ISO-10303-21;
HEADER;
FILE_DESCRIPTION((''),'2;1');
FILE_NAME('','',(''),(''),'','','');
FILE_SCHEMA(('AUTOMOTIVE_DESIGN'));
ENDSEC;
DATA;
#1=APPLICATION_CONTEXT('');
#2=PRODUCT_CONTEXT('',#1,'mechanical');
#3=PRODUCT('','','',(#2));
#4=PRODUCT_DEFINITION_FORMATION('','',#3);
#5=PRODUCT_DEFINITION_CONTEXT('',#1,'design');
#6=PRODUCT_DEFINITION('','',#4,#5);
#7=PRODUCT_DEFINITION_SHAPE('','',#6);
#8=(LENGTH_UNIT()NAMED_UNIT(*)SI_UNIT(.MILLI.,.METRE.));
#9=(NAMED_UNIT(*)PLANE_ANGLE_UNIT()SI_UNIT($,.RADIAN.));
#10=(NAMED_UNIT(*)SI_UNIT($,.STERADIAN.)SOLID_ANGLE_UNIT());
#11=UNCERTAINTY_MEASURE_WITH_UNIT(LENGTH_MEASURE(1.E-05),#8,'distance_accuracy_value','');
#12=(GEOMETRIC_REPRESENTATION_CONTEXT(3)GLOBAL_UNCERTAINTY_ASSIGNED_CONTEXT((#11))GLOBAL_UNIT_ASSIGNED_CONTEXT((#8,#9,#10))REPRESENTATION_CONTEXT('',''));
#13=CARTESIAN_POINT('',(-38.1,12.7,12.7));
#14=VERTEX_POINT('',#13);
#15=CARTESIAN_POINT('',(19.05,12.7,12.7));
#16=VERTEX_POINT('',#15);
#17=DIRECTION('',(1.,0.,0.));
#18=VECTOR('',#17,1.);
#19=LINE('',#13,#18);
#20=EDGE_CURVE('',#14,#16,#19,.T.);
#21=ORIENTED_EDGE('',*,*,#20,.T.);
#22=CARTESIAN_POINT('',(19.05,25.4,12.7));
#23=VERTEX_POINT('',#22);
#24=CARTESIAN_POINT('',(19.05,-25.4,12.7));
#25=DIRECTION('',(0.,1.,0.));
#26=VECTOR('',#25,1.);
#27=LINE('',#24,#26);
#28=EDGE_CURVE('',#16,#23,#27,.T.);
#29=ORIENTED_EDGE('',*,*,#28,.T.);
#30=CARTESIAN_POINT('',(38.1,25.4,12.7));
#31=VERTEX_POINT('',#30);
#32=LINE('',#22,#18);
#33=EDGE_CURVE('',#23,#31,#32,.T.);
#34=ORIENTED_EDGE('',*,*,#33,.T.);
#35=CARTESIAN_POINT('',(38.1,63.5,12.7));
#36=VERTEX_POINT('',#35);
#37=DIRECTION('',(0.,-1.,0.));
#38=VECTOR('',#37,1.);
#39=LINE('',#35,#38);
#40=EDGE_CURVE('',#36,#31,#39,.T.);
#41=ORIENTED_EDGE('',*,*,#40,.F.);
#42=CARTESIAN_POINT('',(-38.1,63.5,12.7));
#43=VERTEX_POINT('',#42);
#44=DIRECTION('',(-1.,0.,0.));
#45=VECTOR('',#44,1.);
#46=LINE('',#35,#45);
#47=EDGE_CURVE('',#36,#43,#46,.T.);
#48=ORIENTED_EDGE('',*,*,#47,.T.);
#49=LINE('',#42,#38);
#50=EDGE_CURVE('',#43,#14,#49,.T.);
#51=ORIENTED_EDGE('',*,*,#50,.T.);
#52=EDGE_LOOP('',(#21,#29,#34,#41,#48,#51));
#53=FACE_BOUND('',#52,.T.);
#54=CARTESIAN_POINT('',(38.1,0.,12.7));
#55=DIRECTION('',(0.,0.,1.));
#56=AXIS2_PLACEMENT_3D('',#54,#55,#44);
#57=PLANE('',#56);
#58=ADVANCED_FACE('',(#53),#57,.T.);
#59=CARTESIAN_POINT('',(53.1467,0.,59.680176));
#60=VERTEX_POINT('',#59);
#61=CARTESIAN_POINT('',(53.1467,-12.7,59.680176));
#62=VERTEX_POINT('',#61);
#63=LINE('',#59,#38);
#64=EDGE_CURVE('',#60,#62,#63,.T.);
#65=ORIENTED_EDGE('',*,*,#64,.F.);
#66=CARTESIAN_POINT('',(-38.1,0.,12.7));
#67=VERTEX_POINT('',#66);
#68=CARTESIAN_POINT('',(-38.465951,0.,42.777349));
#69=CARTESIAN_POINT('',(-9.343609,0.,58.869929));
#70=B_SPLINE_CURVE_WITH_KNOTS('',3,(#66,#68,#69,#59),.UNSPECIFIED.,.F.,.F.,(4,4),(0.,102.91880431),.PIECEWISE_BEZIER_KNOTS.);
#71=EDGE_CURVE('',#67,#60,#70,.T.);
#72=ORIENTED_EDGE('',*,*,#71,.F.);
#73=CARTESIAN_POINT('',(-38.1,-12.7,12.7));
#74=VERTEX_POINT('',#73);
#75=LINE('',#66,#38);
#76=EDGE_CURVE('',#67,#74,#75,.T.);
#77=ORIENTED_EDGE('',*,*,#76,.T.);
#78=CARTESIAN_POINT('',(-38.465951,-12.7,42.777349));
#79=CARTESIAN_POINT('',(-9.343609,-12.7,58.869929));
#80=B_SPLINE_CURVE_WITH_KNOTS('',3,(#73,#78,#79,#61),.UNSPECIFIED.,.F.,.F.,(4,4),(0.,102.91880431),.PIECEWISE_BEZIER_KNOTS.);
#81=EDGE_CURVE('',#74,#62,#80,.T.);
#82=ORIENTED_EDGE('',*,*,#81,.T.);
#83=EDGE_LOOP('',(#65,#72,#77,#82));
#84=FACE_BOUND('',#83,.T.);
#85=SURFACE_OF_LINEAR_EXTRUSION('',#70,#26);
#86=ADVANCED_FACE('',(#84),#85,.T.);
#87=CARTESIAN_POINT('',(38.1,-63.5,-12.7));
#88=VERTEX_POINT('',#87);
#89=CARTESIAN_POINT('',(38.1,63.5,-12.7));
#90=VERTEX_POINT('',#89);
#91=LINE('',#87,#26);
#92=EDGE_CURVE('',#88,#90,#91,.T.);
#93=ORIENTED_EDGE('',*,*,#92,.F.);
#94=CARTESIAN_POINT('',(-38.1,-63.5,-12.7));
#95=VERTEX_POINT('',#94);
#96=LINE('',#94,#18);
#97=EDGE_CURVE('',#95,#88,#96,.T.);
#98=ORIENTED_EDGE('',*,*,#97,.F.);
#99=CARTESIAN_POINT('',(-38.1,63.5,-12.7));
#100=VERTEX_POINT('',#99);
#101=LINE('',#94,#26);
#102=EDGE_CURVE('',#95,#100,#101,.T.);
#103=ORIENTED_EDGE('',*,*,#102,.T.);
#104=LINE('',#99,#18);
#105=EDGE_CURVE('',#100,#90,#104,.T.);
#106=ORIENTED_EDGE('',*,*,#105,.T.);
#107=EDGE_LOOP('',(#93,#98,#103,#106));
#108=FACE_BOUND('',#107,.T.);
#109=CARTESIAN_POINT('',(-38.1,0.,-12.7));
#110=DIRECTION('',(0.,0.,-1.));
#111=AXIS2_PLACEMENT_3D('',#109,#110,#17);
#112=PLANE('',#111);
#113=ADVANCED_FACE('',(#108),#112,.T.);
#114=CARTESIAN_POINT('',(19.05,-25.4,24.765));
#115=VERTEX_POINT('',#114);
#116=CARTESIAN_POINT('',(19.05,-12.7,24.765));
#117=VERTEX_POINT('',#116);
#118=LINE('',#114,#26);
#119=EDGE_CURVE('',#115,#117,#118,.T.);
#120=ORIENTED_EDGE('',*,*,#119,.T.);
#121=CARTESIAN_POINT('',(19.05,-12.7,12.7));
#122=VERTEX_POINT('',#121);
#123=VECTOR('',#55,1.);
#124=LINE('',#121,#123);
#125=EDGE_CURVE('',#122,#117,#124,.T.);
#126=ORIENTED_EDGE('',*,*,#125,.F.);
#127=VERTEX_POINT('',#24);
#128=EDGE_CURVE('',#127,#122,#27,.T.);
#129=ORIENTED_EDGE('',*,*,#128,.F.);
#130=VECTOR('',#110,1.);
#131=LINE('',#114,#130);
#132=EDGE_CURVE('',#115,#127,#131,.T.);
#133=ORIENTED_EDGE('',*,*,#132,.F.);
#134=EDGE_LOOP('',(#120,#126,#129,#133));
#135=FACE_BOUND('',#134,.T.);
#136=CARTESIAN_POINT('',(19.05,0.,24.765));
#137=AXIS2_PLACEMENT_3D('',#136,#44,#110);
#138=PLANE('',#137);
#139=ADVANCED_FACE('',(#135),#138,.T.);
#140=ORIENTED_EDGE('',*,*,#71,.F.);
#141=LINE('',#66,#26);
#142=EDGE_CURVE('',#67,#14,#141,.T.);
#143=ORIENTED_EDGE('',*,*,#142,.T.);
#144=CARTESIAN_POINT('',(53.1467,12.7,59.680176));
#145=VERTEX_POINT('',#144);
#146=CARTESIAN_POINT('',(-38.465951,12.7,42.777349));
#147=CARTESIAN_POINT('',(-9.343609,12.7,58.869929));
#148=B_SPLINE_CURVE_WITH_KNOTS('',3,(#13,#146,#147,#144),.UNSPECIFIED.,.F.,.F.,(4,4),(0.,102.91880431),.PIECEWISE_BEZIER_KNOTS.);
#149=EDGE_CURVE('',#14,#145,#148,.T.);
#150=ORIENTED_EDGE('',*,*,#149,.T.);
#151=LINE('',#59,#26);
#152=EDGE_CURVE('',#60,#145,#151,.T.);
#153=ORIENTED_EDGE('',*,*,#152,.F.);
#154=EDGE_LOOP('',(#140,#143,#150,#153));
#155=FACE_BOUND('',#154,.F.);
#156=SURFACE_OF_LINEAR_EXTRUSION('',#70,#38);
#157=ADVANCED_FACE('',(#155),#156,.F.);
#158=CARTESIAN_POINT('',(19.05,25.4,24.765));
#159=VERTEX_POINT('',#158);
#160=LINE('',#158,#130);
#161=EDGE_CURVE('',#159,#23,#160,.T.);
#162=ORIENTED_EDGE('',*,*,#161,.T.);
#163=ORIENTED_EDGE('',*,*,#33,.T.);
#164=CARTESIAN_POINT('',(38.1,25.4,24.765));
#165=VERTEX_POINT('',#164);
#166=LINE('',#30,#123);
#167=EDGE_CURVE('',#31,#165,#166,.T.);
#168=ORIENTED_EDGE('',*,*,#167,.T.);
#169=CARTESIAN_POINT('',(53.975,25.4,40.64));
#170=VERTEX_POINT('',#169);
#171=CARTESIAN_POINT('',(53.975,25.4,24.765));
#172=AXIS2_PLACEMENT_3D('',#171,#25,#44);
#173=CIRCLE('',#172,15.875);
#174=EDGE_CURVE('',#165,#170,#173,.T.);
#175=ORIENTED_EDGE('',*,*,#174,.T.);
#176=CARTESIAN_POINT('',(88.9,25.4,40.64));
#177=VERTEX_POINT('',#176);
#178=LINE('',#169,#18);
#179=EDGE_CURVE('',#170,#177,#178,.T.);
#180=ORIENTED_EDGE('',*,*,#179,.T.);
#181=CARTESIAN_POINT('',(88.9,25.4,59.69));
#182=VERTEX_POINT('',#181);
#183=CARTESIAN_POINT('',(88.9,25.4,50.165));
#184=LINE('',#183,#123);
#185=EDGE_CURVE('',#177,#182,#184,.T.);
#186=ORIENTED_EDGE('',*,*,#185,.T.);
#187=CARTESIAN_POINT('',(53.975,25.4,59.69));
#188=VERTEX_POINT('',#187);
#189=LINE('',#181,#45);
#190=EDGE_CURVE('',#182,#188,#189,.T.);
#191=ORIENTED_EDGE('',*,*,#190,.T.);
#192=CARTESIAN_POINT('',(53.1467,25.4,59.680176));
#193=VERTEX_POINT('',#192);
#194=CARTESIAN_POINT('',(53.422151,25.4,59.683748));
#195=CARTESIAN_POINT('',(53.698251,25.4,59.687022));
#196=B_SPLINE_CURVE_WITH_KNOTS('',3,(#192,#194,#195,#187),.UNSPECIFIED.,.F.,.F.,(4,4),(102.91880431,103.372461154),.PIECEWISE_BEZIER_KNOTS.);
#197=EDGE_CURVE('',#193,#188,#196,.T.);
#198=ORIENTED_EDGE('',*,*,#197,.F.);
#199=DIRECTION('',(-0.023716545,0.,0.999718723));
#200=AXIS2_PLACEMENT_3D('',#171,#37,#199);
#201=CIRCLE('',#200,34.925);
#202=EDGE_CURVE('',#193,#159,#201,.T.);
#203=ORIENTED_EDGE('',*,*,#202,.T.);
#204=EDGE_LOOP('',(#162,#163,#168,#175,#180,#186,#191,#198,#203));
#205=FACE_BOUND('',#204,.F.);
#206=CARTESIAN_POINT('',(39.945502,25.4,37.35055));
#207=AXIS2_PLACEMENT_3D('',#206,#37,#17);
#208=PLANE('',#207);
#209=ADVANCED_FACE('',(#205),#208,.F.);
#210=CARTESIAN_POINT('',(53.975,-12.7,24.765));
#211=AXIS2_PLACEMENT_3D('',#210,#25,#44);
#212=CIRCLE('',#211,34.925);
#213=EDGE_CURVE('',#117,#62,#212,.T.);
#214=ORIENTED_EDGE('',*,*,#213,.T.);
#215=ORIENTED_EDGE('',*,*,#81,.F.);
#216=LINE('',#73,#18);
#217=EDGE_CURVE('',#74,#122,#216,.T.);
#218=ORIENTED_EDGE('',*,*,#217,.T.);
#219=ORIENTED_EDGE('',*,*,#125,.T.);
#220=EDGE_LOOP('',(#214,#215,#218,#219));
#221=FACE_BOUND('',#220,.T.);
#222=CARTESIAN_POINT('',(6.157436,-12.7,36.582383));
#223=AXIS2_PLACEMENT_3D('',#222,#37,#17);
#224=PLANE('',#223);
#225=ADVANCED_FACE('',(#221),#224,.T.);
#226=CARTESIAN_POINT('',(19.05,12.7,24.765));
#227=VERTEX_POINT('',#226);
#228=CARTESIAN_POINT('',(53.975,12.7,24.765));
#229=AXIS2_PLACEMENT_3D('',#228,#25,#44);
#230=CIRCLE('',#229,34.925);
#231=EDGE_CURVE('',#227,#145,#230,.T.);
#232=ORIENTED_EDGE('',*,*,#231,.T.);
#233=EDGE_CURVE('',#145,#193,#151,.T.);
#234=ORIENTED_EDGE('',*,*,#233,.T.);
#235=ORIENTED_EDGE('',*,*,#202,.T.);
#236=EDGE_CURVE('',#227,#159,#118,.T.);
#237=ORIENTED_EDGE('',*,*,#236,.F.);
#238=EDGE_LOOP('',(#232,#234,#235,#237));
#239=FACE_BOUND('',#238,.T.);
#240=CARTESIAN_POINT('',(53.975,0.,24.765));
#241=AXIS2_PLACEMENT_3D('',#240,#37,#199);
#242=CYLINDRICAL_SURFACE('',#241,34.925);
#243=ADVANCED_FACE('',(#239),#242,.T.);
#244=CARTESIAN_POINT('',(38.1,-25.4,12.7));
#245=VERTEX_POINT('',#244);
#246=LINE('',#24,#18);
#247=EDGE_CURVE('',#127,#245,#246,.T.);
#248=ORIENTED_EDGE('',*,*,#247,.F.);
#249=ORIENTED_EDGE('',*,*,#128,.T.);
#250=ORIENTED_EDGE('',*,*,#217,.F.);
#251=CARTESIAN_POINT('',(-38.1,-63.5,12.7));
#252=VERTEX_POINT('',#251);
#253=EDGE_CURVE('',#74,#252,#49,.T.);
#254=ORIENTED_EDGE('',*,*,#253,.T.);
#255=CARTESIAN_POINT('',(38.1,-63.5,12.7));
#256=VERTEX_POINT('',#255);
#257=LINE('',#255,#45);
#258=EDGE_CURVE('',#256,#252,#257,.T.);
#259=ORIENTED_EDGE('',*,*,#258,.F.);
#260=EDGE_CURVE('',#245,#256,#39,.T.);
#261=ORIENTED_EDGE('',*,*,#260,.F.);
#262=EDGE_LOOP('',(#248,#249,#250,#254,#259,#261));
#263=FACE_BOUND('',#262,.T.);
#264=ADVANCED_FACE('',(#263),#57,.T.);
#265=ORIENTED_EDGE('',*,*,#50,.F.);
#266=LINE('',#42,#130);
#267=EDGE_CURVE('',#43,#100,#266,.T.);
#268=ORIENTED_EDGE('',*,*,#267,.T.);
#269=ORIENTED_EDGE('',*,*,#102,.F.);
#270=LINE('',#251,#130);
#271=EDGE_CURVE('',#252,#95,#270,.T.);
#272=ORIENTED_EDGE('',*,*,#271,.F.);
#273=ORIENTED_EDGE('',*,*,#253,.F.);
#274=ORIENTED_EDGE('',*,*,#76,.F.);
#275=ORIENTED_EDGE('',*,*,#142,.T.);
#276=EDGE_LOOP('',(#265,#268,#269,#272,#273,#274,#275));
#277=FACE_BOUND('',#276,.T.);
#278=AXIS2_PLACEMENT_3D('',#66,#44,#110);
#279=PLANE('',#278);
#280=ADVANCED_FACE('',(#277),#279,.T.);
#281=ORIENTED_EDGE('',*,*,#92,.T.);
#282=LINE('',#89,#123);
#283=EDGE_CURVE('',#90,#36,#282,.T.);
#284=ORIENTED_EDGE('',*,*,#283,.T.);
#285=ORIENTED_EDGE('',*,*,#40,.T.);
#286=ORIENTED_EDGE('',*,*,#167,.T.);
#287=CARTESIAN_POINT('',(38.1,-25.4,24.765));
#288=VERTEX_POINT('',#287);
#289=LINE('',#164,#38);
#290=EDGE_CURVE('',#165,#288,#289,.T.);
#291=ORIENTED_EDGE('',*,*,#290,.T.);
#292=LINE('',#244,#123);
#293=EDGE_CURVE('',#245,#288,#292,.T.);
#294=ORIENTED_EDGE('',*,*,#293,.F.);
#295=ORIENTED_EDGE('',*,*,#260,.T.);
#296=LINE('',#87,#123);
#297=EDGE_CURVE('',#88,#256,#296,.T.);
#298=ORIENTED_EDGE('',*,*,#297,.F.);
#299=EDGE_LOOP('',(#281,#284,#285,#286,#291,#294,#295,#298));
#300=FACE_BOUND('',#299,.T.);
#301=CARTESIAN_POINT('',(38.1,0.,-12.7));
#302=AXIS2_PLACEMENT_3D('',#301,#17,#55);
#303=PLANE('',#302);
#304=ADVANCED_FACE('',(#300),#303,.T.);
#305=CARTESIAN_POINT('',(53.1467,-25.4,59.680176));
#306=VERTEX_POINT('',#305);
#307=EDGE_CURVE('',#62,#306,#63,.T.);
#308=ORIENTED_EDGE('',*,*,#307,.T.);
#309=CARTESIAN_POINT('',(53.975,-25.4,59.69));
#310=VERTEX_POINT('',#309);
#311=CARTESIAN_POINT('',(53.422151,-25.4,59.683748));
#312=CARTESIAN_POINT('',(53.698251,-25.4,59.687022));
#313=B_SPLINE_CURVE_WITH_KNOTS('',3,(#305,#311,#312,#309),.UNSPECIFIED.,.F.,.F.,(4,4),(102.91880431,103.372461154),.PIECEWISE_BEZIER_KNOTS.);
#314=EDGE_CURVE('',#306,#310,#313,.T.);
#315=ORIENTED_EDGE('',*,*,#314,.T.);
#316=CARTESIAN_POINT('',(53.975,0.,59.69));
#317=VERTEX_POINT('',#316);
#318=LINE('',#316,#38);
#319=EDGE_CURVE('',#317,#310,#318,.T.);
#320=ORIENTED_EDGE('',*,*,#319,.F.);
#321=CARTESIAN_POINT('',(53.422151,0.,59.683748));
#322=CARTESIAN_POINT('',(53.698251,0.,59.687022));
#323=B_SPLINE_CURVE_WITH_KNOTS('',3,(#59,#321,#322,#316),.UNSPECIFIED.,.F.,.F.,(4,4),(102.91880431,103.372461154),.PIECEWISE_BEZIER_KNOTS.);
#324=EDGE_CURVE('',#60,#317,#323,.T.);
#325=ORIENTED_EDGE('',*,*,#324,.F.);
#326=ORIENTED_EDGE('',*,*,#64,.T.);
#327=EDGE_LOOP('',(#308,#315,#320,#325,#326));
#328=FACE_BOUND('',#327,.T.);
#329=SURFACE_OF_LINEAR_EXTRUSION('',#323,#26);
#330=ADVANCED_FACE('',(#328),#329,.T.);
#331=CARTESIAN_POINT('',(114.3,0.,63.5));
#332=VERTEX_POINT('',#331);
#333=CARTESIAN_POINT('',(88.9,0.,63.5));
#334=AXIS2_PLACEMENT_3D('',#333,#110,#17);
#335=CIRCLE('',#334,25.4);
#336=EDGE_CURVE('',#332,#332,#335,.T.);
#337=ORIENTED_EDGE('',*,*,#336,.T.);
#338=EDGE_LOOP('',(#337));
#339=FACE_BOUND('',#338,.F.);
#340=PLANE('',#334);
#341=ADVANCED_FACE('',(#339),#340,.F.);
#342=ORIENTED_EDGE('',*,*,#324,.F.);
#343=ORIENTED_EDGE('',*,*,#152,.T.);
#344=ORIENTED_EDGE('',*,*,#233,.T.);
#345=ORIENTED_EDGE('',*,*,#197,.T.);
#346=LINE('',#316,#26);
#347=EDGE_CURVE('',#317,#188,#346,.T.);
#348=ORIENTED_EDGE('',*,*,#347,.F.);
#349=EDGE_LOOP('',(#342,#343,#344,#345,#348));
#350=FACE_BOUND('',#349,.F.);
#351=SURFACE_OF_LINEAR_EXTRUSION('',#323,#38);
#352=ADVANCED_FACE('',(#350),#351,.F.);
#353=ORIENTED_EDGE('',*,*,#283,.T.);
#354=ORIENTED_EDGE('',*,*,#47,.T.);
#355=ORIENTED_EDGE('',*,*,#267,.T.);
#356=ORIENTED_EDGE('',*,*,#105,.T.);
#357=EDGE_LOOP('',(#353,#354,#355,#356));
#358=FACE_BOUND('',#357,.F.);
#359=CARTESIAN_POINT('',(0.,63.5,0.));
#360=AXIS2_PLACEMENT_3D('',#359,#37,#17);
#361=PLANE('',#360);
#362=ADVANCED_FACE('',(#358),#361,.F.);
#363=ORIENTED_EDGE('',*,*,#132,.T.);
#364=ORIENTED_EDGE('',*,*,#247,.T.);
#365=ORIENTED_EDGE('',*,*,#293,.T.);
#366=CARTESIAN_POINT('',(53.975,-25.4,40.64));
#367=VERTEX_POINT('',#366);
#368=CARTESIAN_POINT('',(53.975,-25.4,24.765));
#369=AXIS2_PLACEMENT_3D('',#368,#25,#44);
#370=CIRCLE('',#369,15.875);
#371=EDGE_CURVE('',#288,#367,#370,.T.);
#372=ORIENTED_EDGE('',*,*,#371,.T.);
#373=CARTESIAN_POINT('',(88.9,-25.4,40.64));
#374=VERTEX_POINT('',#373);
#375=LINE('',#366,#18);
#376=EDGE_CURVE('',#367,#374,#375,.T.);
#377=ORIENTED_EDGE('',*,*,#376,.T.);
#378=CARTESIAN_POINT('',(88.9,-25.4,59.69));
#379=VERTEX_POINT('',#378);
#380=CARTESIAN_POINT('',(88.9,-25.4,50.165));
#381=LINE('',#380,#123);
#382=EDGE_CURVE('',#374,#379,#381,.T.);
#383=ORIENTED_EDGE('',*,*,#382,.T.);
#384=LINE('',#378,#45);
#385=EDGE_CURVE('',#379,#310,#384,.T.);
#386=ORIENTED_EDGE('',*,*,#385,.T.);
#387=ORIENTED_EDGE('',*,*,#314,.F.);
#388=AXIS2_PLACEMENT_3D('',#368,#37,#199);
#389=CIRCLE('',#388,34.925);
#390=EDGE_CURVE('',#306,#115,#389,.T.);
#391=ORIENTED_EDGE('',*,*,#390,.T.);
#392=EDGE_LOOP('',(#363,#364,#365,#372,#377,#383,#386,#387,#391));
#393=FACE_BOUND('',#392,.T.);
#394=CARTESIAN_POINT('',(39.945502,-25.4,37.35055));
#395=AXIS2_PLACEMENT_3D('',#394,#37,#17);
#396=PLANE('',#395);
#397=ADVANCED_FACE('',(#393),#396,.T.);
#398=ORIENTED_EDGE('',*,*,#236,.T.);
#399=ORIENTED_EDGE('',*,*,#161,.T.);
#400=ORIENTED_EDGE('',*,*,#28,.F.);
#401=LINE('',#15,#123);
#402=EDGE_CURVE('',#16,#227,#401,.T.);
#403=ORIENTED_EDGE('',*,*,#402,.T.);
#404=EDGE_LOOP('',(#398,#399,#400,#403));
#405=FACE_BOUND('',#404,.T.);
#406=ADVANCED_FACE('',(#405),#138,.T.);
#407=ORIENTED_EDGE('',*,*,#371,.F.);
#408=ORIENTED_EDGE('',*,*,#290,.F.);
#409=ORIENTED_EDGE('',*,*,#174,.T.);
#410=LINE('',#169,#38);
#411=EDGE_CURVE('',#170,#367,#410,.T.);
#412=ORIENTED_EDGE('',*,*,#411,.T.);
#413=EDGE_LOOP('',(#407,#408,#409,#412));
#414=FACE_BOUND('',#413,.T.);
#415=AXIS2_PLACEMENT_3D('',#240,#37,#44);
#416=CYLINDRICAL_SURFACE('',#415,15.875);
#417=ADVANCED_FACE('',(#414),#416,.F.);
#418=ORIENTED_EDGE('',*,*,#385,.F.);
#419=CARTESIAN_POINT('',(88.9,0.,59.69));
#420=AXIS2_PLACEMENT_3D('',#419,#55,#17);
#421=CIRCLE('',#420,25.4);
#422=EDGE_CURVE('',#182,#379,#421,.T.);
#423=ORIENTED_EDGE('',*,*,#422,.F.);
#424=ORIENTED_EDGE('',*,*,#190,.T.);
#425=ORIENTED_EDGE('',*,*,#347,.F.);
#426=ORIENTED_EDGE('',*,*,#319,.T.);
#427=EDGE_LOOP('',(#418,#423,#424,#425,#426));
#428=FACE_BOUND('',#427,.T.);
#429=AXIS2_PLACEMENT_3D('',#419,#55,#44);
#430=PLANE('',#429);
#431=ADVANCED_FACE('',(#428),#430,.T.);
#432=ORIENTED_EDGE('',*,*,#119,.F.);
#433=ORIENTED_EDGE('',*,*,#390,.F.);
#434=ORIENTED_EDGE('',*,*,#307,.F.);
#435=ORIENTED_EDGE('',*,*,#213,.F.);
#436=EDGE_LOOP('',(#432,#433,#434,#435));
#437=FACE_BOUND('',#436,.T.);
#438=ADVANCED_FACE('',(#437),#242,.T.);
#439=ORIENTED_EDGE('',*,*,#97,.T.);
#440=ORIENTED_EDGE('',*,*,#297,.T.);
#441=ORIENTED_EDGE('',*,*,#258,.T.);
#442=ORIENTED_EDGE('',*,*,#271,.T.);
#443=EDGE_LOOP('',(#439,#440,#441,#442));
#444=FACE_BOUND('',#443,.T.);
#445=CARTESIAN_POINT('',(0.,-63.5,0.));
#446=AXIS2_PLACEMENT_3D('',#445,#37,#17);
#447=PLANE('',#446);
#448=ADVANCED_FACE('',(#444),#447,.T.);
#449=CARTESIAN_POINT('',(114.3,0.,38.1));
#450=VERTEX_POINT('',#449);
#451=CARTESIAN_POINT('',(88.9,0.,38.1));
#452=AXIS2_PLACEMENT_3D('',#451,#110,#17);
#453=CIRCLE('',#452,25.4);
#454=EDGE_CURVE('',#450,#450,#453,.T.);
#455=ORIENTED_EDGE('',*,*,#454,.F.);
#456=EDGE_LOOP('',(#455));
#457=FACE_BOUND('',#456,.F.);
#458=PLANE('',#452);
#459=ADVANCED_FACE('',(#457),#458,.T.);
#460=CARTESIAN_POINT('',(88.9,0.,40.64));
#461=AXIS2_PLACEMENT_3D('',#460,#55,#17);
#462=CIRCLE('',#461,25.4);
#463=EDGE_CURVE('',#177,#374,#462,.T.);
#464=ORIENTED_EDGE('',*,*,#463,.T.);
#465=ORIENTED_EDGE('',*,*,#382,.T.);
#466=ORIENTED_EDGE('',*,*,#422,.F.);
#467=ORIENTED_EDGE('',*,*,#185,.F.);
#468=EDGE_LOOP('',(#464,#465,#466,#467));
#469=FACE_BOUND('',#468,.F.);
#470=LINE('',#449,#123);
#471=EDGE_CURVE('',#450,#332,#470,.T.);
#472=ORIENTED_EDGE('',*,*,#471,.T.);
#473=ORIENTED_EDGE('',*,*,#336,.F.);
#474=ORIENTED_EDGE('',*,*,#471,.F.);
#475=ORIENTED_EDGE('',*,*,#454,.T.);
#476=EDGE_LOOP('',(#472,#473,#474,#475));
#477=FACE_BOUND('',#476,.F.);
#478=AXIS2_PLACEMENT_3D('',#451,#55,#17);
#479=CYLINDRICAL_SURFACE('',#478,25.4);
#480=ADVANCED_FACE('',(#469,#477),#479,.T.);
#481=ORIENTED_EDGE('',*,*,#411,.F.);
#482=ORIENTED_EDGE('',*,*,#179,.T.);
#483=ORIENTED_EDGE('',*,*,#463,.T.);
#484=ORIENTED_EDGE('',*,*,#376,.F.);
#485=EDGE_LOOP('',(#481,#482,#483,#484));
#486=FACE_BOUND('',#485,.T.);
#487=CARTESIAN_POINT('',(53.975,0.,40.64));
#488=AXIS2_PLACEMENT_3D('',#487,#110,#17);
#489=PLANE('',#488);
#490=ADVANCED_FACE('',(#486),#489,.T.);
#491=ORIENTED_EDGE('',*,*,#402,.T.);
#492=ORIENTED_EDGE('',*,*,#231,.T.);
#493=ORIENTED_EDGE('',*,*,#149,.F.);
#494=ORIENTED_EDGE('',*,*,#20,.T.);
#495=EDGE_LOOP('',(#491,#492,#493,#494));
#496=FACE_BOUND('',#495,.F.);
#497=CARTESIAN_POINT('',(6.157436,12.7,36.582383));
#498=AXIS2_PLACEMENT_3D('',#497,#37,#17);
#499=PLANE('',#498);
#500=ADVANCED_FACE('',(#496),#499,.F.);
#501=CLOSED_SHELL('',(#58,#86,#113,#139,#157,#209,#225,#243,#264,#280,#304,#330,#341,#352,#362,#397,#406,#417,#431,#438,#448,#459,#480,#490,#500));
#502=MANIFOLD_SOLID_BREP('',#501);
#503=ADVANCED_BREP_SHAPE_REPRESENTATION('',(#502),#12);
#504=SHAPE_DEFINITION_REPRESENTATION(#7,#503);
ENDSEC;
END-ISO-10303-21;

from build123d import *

# Parameters (mm, degrees)
F1_DEPTH = 63.5
F2_DEPTH = 12.7
F0_W     = 25.4
F0_H     = 19.05
F3_DEPTH = 25.4


with BuildPart() as f1:
    # F0 (on Front) → F1 (new body, symmetric)
    with BuildSketch(Plane.XZ):
        Polygon((38.1, -12.7), (38.1, 12.7), (19.05, 12.7), (-38.1, 12.7), (-38.1, -12.7), align=None)
    extrude(amount=F1_DEPTH, both=True)

    # F0 (on Front) → F2 (join, symmetric)
    with BuildSketch(Plane.XZ):
        with BuildLine():
            Line((-38.1, 12.7), (19.05, 12.7))
            Line((19.05, 12.7), (19.05, 24.765))
            ThreePointArc((19.05, 24.765), (28.9881633288, 49.1660987082), (53.1466996803, 59.6801764077))
            add(Edge.make_bspline(
                [(-38.1, 12.7), (-38.4659506113, 42.7773494119), (-9.3436090352, 58.8699288364), (53.1466996803, 59.6801764077)],
                knots=[0, 0, 0, 0, 102.9188043099, 102.9188043099, 102.9188043099, 102.9188043099], degree=3))
        make_face()
    extrude(amount=F2_DEPTH, both=True)

    # F0 (on Front) → F3 (join, symmetric)
    with BuildSketch(Plane.XZ):
        with BuildLine():
            Line((19.05, 12.7), (38.1, 12.7))
            Line((38.1, 12.7), (38.1, 24.765))
            ThreePointArc((38.1, 24.765), (42.7496798487, 35.9903201513), (53.975, 40.64))
            Line((53.975, 40.64), (63.5, 40.64))
            Line((63.5, 40.64), (63.5, 59.69))
            Line((63.5, 59.69), (53.975, 59.69))
            add(Edge.make_bspline(
                [(53.1466996803, 59.6801764077), (53.4221513474, 59.6837479062), (53.6982513432, 59.687022474), (53.975, 59.69)],
                knots=[102.9188043099, 102.9188043099, 102.9188043099, 102.9188043099, 103.3724611538, 103.3724611538, 103.3724611538, 103.3724611538], degree=3))
            ThreePointArc((53.1466996803, 59.6801764077), (28.9881633288, 49.1660987082), (19.05, 24.765))
            Line((19.05, 24.765), (19.05, 12.7))
        make_face()
        with Locations((76.2, 50.165)):
            Rectangle(F0_W, F0_H)
    extrude(amount=F3_DEPTH, both=True)

    # F0 (on Front) → F4 (revolve)
    with BuildSketch(Plane.XZ):
        Polygon((88.9, 59.69), (88.9, 40.64), (88.9, 38.1), (114.3, 38.1), (114.3, 63.5), (88.9, 63.5), align=None)
    revolve(axis=Axis((88.9, 0, 50.8), (0, 0, -1)))


solid = f1.part
